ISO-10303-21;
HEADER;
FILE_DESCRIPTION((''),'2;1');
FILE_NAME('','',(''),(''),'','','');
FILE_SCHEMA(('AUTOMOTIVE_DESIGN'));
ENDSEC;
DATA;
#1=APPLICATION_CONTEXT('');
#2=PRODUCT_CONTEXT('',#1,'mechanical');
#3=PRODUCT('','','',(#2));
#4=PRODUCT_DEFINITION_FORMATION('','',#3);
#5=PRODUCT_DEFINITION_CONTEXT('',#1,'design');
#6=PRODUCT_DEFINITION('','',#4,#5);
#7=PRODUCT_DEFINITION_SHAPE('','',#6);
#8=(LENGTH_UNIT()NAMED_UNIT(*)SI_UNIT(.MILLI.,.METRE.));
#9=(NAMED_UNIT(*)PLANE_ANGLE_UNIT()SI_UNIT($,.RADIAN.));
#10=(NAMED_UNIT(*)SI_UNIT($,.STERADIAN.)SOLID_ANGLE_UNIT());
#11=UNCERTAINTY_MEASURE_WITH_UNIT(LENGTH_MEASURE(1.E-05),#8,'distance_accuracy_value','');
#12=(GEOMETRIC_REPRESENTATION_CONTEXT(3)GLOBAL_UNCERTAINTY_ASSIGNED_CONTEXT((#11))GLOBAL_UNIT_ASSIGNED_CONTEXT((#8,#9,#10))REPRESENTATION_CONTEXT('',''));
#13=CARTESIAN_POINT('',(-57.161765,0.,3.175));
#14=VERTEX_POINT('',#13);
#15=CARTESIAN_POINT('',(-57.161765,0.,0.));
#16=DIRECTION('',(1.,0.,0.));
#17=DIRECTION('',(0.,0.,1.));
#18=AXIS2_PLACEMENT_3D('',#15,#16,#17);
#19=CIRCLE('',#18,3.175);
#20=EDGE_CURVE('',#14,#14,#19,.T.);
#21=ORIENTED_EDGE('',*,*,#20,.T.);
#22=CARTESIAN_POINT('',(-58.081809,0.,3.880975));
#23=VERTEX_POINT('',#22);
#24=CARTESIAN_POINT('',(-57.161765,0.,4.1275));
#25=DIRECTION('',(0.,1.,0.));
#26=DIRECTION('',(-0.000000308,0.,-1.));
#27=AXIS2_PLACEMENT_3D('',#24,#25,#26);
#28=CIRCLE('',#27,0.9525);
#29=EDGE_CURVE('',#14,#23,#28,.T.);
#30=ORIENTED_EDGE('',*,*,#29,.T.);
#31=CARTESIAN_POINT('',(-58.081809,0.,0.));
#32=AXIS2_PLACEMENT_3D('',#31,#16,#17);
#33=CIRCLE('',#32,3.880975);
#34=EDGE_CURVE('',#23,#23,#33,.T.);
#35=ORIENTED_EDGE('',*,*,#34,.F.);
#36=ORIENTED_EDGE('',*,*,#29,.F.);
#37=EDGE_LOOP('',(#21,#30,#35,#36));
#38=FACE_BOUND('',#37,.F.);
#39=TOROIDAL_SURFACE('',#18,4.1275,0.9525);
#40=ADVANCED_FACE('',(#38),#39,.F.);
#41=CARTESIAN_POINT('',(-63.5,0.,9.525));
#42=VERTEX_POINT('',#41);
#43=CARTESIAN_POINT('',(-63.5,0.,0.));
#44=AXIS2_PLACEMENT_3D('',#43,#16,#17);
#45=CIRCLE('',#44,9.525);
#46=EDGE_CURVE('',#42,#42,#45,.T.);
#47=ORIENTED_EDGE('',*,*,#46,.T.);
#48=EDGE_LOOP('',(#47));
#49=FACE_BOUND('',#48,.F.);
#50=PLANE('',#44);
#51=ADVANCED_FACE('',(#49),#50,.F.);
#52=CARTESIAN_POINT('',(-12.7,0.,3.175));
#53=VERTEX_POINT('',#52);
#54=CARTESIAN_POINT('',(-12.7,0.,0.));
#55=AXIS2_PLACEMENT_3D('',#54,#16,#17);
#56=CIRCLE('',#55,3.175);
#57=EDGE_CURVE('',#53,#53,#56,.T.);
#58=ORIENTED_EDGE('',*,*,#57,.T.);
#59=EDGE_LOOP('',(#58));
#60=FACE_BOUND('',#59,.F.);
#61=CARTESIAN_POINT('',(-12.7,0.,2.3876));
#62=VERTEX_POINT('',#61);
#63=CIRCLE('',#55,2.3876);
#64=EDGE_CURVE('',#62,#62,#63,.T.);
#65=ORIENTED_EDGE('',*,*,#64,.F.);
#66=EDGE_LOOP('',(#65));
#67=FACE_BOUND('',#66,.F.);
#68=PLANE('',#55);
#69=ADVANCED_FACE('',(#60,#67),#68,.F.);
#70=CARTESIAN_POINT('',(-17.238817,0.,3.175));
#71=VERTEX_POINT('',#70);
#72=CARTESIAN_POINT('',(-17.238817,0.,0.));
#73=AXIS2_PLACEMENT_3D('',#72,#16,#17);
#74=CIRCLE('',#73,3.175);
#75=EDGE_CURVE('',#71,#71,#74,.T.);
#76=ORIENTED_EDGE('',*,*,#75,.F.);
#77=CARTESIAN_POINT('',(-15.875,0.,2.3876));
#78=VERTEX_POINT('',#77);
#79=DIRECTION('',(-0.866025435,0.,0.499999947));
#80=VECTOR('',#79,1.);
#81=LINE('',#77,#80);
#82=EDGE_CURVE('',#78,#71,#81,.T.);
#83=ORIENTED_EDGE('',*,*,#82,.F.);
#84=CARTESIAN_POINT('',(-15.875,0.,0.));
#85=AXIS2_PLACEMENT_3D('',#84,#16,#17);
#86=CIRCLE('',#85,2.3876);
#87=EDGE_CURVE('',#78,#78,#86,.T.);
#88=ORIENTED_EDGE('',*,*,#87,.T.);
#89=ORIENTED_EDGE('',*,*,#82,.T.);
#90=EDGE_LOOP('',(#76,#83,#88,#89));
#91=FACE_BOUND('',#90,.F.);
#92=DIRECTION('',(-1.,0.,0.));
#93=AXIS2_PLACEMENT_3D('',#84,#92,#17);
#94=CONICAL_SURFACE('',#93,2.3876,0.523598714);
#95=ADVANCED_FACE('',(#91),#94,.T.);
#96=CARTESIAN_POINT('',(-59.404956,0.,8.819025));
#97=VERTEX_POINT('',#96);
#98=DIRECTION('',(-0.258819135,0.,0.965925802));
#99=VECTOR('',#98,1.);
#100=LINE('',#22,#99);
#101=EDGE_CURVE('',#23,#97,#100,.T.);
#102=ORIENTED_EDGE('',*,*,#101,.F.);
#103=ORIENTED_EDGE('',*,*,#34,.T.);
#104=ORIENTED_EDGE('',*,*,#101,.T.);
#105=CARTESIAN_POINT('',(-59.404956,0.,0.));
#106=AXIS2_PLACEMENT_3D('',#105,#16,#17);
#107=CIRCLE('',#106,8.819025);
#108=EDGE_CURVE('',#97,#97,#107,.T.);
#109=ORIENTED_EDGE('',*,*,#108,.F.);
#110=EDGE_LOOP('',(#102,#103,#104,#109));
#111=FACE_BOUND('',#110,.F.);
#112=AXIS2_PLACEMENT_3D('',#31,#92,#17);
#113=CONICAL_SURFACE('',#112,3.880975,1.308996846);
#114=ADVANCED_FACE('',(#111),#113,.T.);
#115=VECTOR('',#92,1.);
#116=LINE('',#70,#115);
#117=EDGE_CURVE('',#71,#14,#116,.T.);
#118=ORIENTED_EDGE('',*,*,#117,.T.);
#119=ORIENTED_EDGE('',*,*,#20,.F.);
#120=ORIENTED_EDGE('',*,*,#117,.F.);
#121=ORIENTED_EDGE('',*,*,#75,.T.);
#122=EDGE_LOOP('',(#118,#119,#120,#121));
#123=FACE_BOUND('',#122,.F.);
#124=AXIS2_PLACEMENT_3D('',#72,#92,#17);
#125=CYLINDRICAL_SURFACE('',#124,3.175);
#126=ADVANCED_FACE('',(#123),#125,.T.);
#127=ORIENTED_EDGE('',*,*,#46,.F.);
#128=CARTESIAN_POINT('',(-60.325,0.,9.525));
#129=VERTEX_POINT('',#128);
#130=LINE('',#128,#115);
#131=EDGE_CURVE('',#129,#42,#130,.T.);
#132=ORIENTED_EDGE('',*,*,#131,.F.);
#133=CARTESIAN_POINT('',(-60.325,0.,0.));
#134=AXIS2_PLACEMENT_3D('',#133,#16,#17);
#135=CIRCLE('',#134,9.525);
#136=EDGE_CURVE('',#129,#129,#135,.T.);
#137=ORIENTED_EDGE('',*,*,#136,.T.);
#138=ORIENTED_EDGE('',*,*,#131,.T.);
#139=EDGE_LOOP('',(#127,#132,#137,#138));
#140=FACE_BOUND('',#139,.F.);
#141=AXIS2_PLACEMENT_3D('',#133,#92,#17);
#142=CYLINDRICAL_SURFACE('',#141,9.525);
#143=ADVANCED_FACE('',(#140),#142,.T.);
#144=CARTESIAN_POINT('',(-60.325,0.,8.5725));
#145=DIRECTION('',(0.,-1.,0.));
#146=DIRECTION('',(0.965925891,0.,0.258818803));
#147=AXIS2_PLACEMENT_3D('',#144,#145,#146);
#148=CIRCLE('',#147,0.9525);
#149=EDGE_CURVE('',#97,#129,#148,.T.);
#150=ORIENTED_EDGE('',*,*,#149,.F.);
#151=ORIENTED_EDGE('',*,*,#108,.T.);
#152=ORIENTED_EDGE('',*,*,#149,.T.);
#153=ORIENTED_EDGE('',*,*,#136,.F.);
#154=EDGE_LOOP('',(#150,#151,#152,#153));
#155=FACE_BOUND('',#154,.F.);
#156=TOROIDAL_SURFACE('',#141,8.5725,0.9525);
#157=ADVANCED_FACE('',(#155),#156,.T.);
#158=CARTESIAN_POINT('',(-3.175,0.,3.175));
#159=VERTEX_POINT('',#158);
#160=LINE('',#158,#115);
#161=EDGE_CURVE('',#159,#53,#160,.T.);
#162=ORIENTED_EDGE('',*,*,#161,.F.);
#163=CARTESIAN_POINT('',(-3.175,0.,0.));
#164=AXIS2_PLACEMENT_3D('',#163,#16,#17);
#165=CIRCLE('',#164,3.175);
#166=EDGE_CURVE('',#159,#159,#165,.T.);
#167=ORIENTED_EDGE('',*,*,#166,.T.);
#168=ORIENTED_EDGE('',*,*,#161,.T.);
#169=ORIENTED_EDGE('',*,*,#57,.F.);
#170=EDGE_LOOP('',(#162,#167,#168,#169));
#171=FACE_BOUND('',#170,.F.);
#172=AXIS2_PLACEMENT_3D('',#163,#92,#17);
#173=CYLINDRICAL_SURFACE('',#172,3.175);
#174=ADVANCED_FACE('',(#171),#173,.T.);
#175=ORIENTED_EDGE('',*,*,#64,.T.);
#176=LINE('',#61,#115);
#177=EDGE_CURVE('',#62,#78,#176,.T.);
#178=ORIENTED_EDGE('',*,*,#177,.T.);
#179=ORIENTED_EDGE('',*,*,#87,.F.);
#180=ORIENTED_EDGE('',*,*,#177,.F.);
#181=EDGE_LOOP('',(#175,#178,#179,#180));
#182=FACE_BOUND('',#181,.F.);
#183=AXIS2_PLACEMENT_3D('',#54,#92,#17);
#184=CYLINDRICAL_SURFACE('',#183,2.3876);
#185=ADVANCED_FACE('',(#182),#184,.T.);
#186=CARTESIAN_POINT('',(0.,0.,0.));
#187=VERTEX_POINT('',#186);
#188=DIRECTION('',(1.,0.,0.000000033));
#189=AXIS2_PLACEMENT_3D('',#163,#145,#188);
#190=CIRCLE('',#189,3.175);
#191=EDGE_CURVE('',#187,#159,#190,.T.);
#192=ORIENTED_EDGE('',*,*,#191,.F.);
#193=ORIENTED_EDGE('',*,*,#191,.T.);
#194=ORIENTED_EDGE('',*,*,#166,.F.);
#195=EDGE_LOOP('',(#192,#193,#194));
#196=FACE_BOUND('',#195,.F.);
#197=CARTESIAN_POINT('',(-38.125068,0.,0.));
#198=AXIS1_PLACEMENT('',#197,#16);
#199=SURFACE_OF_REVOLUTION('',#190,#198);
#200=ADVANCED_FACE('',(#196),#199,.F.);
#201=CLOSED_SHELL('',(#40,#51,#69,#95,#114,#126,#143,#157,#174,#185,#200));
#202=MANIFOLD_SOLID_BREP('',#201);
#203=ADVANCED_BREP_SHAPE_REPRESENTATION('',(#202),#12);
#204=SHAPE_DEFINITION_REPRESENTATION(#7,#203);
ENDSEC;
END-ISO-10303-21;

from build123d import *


with BuildPart() as f1:
    # F0 (on Front) → F1 (revolve)
    with BuildSketch(Plane.XZ):
        with BuildLine():
            Line((-63.5, 9.525), (-63.5, 0))
            Line((-63.5, 0), (0, 0))
            ThreePointArc((0, 0), (-0.929936, 2.245064), (-3.175, 3.175))
            Line((-3.175, 3.175), (-12.7, 3.175))
            Line((-12.7, 3.175), (-12.7, 2.3876))
            Line((-12.7, 2.3876), (-15.875, 2.3876))
            Line((-15.875, 2.3876), (-17.238817, 3.175))
            Line((-17.238817, 3.175), (-57.161765, 3.175))
            ThreePointArc((-57.161765, 3.175), (-57.74161, 3.371831), (-58.081809, 3.880975))
            Line((-58.081809, 3.880975), (-59.404956, 8.819025))
            ThreePointArc((-59.404956, 8.819025), (-59.745155, 9.328169), (-60.325, 9.525))
            Line((-60.325, 9.525), (-63.5, 9.525))
        make_face()
    revolve(axis=Axis((-38.125068, 0, 0), (1, 0, 0)))


solid = f1.part
